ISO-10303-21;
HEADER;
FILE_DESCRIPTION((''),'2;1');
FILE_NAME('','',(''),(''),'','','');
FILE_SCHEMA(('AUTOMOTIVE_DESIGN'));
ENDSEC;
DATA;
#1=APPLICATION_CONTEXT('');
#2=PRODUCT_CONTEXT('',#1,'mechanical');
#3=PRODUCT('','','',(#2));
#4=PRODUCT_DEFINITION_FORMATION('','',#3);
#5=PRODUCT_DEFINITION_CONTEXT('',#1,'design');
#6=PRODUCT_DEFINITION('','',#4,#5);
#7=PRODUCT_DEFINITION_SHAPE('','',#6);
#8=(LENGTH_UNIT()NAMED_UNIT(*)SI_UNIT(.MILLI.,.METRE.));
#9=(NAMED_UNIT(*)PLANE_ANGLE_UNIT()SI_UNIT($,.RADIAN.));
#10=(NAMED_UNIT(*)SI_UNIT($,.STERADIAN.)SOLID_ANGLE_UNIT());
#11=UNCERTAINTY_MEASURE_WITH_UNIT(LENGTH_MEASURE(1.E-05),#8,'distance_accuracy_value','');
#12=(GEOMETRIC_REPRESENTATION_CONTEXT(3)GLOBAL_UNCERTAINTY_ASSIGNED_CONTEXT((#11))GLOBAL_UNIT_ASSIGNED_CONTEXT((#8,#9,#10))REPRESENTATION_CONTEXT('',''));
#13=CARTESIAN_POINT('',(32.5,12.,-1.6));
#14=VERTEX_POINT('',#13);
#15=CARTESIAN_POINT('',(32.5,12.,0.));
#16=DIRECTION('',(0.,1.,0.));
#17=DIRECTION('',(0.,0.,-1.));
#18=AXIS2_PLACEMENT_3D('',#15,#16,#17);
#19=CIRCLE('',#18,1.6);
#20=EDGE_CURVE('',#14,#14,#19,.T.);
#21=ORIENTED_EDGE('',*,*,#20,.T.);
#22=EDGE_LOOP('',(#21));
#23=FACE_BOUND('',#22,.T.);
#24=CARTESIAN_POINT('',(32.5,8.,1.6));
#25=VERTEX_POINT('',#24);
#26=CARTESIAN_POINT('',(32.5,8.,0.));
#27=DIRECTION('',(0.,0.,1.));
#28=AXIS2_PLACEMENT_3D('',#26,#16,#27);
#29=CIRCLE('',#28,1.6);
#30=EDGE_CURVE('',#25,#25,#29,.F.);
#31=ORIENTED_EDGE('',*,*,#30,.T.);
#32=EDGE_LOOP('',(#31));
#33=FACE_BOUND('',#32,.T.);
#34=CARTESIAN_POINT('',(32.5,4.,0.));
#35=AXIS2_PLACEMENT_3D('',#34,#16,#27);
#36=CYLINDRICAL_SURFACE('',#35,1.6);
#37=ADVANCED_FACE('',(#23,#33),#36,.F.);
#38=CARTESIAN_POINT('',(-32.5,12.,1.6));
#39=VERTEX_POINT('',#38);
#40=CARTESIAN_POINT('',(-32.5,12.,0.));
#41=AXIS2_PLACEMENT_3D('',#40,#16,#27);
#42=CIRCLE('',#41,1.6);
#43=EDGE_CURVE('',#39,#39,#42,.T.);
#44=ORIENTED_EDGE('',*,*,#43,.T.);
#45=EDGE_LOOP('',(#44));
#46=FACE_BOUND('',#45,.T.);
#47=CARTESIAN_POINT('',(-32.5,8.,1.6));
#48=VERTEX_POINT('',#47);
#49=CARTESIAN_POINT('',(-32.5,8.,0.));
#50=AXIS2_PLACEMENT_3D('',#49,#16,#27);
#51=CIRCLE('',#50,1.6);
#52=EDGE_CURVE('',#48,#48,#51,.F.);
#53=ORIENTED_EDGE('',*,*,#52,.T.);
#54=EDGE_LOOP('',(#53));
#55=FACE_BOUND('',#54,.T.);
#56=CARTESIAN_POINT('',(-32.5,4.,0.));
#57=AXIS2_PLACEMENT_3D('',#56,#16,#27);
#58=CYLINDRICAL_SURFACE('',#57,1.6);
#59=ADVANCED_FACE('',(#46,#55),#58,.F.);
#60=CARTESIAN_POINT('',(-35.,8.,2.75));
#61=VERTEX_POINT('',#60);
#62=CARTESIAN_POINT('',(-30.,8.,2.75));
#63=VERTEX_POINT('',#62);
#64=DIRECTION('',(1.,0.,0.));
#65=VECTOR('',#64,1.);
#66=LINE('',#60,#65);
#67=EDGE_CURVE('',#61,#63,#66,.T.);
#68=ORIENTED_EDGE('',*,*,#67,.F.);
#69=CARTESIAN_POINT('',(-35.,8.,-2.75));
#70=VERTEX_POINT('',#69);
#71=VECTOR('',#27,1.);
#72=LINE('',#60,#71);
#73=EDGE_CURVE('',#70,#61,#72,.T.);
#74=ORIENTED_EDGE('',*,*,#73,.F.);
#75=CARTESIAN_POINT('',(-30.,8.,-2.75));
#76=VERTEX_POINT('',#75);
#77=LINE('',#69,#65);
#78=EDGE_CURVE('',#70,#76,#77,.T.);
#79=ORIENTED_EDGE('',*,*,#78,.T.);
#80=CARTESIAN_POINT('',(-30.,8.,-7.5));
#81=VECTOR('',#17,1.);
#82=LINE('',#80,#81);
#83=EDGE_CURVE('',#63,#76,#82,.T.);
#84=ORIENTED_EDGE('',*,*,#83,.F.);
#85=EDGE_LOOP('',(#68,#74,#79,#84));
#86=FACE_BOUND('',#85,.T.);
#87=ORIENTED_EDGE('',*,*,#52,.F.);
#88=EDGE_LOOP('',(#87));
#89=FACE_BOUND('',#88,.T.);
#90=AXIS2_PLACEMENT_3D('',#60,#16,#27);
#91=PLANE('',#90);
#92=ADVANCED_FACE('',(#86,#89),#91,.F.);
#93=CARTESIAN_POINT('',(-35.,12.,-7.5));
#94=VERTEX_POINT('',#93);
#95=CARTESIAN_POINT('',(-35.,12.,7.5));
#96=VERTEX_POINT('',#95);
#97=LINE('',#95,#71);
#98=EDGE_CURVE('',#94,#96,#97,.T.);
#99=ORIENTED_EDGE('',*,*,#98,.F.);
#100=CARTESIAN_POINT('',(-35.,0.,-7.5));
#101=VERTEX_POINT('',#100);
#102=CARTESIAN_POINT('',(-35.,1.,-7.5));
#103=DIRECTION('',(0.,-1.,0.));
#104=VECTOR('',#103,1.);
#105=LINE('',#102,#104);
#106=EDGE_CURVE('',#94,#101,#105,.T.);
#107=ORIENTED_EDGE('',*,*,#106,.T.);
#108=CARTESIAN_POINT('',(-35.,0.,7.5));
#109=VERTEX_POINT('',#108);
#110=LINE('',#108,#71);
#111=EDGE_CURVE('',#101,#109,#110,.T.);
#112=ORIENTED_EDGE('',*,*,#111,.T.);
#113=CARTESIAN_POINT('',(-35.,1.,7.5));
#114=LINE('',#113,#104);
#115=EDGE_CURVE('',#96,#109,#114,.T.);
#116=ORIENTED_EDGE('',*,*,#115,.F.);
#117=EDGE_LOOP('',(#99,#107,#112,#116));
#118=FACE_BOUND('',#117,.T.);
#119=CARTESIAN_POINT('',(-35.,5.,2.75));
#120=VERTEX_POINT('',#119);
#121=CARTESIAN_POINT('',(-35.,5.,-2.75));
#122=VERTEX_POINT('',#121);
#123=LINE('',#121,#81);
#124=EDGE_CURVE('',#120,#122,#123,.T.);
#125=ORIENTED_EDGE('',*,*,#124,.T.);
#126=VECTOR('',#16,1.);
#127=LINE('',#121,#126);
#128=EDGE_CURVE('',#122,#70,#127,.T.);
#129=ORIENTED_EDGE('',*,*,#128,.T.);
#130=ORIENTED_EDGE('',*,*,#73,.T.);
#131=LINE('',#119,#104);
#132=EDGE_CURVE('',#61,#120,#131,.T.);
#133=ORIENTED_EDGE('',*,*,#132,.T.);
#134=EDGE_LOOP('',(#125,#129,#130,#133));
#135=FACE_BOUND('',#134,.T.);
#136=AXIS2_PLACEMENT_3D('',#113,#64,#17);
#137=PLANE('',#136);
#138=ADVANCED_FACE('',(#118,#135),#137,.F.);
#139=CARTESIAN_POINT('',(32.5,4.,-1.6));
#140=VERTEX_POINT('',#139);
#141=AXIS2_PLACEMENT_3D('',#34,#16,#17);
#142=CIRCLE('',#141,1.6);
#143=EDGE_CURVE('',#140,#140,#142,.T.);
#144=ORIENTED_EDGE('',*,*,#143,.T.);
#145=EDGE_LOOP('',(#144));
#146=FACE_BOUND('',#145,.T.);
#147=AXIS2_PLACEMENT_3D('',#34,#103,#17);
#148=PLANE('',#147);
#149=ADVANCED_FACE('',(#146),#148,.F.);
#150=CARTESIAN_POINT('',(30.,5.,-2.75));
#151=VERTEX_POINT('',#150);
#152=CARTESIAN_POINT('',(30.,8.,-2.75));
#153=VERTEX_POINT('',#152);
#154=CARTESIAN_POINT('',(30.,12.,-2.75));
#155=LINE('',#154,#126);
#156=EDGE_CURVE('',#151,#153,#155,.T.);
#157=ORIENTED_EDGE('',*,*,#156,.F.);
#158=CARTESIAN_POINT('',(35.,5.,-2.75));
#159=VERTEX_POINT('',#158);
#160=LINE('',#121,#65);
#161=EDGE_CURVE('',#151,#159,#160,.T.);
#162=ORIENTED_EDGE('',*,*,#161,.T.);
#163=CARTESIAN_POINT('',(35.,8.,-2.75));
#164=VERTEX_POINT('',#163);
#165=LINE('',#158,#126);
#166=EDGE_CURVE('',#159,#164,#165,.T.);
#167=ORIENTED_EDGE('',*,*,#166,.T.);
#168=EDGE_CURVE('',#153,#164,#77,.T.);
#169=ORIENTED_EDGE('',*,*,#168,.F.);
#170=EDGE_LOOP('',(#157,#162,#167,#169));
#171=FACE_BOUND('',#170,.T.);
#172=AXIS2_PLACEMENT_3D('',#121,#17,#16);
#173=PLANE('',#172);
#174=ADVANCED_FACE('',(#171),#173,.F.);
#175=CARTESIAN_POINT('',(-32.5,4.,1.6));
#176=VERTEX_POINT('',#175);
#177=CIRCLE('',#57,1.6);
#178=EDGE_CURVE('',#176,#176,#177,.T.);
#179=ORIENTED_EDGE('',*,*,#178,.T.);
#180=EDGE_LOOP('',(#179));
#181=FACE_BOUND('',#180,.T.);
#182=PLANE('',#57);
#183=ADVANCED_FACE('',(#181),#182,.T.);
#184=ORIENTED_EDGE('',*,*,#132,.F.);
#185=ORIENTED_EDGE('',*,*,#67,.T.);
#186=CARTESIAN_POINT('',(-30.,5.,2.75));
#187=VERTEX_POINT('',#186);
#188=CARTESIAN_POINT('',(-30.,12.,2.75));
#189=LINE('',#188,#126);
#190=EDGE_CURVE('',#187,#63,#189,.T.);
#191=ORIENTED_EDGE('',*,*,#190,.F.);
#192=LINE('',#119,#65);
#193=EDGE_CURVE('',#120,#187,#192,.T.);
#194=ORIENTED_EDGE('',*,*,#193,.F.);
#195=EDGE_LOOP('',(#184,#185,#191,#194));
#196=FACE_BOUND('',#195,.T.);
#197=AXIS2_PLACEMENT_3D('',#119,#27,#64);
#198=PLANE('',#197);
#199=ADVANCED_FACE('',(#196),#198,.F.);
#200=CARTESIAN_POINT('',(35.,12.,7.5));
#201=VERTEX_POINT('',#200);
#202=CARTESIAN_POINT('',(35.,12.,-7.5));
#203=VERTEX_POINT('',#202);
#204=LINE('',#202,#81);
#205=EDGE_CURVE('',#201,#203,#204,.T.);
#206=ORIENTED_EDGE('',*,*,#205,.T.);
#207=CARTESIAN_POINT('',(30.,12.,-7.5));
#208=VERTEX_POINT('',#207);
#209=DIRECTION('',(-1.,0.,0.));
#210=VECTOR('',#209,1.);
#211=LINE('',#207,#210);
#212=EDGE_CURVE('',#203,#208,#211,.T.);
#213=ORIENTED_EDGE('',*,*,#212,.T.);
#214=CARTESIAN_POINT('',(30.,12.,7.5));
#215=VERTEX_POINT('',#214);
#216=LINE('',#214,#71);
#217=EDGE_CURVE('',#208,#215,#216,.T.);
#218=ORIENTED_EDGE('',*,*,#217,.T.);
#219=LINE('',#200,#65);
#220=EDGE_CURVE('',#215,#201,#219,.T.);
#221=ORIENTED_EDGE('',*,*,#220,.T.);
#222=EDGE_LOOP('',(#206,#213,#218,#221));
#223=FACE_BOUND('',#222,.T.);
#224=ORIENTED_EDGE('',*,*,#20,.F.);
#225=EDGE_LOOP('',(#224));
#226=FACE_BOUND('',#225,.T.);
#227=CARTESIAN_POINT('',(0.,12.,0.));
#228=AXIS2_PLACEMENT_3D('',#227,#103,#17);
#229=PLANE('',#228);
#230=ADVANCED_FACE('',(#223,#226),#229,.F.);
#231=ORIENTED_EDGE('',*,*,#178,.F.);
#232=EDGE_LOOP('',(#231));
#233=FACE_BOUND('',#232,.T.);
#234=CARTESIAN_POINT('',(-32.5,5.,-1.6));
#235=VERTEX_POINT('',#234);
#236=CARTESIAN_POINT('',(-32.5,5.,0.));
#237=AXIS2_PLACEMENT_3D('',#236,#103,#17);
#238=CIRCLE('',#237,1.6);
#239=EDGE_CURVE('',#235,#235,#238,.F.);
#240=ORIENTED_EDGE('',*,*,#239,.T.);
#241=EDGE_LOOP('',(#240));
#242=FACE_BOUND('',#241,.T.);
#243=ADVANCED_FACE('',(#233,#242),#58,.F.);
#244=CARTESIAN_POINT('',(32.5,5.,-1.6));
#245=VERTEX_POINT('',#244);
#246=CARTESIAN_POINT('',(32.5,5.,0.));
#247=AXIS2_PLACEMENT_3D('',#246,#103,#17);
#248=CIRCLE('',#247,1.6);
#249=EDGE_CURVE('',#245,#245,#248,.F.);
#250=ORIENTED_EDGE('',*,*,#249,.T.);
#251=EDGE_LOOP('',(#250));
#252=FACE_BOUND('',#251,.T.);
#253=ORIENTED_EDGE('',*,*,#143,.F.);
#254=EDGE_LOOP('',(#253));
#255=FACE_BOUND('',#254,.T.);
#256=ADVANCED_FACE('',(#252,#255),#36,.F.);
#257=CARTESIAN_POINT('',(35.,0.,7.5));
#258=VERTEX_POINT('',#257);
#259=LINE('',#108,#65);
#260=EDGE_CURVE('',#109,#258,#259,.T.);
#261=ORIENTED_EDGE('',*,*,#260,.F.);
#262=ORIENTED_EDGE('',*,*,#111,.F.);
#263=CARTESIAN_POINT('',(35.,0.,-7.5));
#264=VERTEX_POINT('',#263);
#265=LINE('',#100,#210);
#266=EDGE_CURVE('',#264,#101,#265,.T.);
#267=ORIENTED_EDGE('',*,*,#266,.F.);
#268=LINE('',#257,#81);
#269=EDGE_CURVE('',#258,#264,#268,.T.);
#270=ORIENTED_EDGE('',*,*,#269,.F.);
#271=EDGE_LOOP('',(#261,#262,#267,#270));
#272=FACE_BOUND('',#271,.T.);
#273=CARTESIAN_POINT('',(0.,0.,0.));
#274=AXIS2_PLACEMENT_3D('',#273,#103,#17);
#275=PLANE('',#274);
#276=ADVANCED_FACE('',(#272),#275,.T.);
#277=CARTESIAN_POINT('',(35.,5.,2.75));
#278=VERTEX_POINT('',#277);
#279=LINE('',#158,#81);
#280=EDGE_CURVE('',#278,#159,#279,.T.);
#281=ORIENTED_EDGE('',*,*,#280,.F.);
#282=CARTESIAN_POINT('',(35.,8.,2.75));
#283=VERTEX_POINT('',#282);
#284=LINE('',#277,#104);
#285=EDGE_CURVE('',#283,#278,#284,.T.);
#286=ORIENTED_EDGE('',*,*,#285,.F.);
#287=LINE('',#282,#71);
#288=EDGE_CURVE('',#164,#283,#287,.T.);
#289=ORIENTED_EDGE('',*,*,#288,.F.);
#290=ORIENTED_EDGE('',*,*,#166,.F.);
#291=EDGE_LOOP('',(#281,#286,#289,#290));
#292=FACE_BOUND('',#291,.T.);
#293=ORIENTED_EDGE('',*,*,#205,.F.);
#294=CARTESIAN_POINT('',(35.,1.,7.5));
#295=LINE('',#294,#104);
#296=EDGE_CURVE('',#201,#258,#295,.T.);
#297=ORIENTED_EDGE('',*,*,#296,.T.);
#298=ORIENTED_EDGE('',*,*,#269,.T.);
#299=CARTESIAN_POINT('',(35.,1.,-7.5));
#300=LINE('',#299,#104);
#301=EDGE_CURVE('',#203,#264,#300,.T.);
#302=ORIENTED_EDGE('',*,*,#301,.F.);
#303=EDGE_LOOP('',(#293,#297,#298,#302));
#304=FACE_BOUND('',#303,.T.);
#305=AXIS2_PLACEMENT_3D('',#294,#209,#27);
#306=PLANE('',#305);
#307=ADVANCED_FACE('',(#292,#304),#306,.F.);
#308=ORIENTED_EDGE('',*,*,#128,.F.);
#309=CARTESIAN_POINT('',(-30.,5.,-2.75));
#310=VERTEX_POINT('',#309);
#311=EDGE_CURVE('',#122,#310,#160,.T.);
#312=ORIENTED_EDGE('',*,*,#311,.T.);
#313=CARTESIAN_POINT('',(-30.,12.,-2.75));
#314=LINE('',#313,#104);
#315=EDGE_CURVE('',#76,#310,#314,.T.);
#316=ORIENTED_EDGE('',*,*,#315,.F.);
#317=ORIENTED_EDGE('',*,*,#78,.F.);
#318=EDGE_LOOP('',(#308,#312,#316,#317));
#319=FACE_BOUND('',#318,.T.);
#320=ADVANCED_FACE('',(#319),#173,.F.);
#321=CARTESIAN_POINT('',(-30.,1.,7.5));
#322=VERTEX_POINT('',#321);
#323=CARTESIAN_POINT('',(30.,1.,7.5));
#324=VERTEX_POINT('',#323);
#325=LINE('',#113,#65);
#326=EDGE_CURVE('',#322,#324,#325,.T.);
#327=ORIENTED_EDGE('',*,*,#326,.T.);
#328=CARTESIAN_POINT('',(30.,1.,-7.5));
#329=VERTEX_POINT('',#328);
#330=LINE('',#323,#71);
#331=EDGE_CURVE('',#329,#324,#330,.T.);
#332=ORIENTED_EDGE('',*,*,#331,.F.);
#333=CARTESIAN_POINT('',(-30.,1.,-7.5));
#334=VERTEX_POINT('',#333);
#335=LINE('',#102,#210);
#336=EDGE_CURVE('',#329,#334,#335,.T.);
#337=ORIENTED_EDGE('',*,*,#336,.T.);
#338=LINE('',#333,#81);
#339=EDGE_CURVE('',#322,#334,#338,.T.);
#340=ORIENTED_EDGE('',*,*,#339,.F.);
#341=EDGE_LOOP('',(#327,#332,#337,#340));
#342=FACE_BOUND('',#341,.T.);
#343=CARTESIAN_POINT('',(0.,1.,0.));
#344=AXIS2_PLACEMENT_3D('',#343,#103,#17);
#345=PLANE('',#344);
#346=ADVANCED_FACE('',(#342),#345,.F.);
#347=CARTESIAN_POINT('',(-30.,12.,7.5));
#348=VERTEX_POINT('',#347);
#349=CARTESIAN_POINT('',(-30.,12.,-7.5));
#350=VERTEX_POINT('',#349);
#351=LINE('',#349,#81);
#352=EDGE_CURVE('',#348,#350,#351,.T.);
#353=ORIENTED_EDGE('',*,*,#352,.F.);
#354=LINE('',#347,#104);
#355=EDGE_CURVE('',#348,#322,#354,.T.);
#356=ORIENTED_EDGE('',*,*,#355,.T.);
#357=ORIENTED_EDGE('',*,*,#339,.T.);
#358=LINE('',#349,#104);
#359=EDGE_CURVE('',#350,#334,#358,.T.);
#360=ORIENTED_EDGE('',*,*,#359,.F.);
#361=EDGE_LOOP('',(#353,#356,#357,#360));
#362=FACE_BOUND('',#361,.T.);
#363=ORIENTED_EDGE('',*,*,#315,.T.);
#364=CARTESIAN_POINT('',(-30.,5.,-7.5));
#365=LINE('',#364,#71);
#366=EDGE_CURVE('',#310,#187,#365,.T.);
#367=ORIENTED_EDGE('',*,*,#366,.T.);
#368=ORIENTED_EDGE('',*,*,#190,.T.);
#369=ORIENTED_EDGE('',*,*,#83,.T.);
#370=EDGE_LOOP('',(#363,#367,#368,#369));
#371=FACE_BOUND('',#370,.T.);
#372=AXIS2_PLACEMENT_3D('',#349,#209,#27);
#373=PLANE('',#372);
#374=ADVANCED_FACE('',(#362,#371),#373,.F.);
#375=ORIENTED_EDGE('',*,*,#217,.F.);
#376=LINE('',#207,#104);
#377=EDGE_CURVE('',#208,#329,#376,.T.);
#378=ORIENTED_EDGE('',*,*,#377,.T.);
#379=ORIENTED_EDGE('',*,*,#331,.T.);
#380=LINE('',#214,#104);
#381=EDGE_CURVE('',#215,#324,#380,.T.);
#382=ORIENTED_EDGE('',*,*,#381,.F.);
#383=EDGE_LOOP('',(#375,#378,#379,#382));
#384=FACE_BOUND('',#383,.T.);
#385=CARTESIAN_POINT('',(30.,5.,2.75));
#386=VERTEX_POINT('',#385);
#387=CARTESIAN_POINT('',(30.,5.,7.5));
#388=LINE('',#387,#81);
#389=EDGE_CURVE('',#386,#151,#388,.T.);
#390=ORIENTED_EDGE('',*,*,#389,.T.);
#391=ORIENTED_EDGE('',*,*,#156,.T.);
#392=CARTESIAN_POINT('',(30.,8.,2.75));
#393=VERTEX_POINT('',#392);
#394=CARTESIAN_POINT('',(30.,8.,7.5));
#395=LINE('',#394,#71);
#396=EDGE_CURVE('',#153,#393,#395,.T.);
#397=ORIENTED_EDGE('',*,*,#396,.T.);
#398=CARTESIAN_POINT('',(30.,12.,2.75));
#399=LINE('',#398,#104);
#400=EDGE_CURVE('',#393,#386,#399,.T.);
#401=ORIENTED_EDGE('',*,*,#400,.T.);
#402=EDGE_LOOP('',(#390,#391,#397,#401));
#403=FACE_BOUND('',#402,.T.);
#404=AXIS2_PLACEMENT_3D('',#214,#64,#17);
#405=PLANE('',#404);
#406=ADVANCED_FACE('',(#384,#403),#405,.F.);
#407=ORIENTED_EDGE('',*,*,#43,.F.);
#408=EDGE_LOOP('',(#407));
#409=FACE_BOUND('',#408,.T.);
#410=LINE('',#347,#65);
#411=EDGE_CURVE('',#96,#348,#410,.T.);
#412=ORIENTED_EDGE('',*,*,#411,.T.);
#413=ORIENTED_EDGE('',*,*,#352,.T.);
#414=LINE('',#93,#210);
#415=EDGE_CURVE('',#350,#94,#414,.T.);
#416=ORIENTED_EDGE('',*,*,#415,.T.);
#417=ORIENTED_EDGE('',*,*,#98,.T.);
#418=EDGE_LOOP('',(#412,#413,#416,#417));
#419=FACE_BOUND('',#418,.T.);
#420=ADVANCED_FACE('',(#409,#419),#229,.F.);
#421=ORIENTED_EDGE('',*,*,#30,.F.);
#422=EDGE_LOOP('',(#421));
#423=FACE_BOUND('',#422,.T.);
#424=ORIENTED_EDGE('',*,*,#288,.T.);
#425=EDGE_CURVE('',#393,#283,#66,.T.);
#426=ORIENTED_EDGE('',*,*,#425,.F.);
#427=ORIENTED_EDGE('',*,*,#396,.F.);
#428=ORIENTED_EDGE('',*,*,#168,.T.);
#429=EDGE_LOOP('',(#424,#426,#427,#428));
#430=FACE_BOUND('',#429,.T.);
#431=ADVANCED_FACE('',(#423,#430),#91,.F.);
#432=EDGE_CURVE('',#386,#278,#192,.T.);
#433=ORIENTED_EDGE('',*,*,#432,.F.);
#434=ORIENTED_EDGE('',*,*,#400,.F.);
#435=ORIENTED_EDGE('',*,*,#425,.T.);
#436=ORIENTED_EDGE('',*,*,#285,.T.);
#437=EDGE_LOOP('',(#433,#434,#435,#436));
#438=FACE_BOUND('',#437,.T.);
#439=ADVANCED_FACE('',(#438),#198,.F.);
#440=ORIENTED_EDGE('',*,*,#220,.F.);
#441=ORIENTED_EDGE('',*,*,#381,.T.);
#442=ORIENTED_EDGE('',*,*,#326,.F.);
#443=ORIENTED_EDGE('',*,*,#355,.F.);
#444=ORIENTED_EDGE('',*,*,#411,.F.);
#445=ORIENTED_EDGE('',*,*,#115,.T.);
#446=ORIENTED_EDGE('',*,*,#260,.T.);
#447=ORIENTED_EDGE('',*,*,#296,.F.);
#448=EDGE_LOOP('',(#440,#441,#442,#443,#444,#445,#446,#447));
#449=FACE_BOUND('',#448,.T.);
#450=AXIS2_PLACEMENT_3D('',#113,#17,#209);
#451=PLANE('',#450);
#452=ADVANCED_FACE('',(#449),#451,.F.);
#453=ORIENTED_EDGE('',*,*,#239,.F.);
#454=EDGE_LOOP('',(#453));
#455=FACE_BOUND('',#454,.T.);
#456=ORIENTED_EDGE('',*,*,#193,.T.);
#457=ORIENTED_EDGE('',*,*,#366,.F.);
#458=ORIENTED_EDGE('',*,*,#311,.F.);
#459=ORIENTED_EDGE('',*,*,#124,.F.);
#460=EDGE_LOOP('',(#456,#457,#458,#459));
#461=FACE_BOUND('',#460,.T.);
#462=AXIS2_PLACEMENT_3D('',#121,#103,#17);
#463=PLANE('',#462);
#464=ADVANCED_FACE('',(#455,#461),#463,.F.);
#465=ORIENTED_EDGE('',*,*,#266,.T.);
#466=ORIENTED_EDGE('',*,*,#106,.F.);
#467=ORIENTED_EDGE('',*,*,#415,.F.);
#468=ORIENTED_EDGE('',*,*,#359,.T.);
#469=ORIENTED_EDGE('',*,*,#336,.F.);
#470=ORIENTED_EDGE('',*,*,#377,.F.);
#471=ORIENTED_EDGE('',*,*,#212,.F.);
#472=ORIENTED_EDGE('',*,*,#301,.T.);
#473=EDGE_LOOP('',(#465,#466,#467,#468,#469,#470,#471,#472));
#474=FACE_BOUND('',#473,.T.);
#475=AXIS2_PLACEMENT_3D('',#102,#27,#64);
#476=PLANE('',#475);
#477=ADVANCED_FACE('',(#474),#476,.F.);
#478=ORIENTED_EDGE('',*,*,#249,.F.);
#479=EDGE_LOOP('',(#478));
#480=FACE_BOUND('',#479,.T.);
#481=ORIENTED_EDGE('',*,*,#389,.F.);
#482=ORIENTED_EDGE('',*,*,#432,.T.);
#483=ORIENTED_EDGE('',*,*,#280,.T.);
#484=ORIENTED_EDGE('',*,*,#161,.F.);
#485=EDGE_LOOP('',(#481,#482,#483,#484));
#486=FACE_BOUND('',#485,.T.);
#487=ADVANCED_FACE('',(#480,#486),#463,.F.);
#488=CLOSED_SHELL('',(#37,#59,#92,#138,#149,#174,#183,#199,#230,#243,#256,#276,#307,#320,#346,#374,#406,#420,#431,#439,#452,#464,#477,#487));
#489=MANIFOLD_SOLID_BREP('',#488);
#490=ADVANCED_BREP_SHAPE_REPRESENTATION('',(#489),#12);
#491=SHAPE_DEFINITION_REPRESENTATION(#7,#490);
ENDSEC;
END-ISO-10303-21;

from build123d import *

# Parameters (mm, degrees)
SKETCH1_W           = 70
SKETCH1_H           = 15
BOSS_EXTRUDE1_DEPTH = 1
SKETCH2_W           = 5
SKETCH2_H           = 15
BOSS_EXTRUDE2_DEPTH = 11
SKETCH3_R           = 1.6
CUT_EXTRUDE1_DEPTH  = 8
SKETCH4_W           = 5.5
SKETCH4_H           = 3
CUT_EXTRUDE2_DEPTH  = 72.416034614


with BuildPart() as part:
    # Sketch1 → Boss-Extrude1 (new body)
    with BuildSketch(Plane(origin=(0, 0, 0), x_dir=(1, 0, 0), z_dir=(0, 1, 0))):
        Rectangle(SKETCH1_W, SKETCH1_H)
    extrude(amount=BOSS_EXTRUDE1_DEPTH)

    # Sketch2 → Boss-Extrude2 (add)
    with BuildSketch(Plane(origin=(0, 1, 0), x_dir=(1, 0, 0), z_dir=(0, 1, 0))):
        with Locations((-32.5, 0)):
            Rectangle(SKETCH2_W, SKETCH2_H)
        with Locations((32.5, 0)):
            Rectangle(SKETCH2_W, SKETCH2_H)
    extrude(amount=BOSS_EXTRUDE2_DEPTH)

    # Sketch3 → Cut-Extrude1 (cut)
    with BuildSketch(Plane(origin=(0, 12, 0), x_dir=(1, 0, 0), z_dir=(0, 1, 0))):
        with Locations(Location((-32.5, 0, 0), (0, 0, 270))):
            Circle(SKETCH3_R)
        with Locations(Location((32.5, 0, 0), (0, 0, 90))):
            Circle(SKETCH3_R)
    extrude(amount=-CUT_EXTRUDE1_DEPTH, mode=Mode.SUBTRACT)

    # Sketch4 → Cut-Extrude2 (cut, through all)
    with BuildSketch(Plane(origin=(35, 0, 0), x_dir=(0, 0, -1), z_dir=(1, 0, 0))):
        with Locations((0, 6.5)):
            Rectangle(SKETCH4_W, SKETCH4_H)
    extrude(amount=-CUT_EXTRUDE2_DEPTH, mode=Mode.SUBTRACT)


solid = part.part
